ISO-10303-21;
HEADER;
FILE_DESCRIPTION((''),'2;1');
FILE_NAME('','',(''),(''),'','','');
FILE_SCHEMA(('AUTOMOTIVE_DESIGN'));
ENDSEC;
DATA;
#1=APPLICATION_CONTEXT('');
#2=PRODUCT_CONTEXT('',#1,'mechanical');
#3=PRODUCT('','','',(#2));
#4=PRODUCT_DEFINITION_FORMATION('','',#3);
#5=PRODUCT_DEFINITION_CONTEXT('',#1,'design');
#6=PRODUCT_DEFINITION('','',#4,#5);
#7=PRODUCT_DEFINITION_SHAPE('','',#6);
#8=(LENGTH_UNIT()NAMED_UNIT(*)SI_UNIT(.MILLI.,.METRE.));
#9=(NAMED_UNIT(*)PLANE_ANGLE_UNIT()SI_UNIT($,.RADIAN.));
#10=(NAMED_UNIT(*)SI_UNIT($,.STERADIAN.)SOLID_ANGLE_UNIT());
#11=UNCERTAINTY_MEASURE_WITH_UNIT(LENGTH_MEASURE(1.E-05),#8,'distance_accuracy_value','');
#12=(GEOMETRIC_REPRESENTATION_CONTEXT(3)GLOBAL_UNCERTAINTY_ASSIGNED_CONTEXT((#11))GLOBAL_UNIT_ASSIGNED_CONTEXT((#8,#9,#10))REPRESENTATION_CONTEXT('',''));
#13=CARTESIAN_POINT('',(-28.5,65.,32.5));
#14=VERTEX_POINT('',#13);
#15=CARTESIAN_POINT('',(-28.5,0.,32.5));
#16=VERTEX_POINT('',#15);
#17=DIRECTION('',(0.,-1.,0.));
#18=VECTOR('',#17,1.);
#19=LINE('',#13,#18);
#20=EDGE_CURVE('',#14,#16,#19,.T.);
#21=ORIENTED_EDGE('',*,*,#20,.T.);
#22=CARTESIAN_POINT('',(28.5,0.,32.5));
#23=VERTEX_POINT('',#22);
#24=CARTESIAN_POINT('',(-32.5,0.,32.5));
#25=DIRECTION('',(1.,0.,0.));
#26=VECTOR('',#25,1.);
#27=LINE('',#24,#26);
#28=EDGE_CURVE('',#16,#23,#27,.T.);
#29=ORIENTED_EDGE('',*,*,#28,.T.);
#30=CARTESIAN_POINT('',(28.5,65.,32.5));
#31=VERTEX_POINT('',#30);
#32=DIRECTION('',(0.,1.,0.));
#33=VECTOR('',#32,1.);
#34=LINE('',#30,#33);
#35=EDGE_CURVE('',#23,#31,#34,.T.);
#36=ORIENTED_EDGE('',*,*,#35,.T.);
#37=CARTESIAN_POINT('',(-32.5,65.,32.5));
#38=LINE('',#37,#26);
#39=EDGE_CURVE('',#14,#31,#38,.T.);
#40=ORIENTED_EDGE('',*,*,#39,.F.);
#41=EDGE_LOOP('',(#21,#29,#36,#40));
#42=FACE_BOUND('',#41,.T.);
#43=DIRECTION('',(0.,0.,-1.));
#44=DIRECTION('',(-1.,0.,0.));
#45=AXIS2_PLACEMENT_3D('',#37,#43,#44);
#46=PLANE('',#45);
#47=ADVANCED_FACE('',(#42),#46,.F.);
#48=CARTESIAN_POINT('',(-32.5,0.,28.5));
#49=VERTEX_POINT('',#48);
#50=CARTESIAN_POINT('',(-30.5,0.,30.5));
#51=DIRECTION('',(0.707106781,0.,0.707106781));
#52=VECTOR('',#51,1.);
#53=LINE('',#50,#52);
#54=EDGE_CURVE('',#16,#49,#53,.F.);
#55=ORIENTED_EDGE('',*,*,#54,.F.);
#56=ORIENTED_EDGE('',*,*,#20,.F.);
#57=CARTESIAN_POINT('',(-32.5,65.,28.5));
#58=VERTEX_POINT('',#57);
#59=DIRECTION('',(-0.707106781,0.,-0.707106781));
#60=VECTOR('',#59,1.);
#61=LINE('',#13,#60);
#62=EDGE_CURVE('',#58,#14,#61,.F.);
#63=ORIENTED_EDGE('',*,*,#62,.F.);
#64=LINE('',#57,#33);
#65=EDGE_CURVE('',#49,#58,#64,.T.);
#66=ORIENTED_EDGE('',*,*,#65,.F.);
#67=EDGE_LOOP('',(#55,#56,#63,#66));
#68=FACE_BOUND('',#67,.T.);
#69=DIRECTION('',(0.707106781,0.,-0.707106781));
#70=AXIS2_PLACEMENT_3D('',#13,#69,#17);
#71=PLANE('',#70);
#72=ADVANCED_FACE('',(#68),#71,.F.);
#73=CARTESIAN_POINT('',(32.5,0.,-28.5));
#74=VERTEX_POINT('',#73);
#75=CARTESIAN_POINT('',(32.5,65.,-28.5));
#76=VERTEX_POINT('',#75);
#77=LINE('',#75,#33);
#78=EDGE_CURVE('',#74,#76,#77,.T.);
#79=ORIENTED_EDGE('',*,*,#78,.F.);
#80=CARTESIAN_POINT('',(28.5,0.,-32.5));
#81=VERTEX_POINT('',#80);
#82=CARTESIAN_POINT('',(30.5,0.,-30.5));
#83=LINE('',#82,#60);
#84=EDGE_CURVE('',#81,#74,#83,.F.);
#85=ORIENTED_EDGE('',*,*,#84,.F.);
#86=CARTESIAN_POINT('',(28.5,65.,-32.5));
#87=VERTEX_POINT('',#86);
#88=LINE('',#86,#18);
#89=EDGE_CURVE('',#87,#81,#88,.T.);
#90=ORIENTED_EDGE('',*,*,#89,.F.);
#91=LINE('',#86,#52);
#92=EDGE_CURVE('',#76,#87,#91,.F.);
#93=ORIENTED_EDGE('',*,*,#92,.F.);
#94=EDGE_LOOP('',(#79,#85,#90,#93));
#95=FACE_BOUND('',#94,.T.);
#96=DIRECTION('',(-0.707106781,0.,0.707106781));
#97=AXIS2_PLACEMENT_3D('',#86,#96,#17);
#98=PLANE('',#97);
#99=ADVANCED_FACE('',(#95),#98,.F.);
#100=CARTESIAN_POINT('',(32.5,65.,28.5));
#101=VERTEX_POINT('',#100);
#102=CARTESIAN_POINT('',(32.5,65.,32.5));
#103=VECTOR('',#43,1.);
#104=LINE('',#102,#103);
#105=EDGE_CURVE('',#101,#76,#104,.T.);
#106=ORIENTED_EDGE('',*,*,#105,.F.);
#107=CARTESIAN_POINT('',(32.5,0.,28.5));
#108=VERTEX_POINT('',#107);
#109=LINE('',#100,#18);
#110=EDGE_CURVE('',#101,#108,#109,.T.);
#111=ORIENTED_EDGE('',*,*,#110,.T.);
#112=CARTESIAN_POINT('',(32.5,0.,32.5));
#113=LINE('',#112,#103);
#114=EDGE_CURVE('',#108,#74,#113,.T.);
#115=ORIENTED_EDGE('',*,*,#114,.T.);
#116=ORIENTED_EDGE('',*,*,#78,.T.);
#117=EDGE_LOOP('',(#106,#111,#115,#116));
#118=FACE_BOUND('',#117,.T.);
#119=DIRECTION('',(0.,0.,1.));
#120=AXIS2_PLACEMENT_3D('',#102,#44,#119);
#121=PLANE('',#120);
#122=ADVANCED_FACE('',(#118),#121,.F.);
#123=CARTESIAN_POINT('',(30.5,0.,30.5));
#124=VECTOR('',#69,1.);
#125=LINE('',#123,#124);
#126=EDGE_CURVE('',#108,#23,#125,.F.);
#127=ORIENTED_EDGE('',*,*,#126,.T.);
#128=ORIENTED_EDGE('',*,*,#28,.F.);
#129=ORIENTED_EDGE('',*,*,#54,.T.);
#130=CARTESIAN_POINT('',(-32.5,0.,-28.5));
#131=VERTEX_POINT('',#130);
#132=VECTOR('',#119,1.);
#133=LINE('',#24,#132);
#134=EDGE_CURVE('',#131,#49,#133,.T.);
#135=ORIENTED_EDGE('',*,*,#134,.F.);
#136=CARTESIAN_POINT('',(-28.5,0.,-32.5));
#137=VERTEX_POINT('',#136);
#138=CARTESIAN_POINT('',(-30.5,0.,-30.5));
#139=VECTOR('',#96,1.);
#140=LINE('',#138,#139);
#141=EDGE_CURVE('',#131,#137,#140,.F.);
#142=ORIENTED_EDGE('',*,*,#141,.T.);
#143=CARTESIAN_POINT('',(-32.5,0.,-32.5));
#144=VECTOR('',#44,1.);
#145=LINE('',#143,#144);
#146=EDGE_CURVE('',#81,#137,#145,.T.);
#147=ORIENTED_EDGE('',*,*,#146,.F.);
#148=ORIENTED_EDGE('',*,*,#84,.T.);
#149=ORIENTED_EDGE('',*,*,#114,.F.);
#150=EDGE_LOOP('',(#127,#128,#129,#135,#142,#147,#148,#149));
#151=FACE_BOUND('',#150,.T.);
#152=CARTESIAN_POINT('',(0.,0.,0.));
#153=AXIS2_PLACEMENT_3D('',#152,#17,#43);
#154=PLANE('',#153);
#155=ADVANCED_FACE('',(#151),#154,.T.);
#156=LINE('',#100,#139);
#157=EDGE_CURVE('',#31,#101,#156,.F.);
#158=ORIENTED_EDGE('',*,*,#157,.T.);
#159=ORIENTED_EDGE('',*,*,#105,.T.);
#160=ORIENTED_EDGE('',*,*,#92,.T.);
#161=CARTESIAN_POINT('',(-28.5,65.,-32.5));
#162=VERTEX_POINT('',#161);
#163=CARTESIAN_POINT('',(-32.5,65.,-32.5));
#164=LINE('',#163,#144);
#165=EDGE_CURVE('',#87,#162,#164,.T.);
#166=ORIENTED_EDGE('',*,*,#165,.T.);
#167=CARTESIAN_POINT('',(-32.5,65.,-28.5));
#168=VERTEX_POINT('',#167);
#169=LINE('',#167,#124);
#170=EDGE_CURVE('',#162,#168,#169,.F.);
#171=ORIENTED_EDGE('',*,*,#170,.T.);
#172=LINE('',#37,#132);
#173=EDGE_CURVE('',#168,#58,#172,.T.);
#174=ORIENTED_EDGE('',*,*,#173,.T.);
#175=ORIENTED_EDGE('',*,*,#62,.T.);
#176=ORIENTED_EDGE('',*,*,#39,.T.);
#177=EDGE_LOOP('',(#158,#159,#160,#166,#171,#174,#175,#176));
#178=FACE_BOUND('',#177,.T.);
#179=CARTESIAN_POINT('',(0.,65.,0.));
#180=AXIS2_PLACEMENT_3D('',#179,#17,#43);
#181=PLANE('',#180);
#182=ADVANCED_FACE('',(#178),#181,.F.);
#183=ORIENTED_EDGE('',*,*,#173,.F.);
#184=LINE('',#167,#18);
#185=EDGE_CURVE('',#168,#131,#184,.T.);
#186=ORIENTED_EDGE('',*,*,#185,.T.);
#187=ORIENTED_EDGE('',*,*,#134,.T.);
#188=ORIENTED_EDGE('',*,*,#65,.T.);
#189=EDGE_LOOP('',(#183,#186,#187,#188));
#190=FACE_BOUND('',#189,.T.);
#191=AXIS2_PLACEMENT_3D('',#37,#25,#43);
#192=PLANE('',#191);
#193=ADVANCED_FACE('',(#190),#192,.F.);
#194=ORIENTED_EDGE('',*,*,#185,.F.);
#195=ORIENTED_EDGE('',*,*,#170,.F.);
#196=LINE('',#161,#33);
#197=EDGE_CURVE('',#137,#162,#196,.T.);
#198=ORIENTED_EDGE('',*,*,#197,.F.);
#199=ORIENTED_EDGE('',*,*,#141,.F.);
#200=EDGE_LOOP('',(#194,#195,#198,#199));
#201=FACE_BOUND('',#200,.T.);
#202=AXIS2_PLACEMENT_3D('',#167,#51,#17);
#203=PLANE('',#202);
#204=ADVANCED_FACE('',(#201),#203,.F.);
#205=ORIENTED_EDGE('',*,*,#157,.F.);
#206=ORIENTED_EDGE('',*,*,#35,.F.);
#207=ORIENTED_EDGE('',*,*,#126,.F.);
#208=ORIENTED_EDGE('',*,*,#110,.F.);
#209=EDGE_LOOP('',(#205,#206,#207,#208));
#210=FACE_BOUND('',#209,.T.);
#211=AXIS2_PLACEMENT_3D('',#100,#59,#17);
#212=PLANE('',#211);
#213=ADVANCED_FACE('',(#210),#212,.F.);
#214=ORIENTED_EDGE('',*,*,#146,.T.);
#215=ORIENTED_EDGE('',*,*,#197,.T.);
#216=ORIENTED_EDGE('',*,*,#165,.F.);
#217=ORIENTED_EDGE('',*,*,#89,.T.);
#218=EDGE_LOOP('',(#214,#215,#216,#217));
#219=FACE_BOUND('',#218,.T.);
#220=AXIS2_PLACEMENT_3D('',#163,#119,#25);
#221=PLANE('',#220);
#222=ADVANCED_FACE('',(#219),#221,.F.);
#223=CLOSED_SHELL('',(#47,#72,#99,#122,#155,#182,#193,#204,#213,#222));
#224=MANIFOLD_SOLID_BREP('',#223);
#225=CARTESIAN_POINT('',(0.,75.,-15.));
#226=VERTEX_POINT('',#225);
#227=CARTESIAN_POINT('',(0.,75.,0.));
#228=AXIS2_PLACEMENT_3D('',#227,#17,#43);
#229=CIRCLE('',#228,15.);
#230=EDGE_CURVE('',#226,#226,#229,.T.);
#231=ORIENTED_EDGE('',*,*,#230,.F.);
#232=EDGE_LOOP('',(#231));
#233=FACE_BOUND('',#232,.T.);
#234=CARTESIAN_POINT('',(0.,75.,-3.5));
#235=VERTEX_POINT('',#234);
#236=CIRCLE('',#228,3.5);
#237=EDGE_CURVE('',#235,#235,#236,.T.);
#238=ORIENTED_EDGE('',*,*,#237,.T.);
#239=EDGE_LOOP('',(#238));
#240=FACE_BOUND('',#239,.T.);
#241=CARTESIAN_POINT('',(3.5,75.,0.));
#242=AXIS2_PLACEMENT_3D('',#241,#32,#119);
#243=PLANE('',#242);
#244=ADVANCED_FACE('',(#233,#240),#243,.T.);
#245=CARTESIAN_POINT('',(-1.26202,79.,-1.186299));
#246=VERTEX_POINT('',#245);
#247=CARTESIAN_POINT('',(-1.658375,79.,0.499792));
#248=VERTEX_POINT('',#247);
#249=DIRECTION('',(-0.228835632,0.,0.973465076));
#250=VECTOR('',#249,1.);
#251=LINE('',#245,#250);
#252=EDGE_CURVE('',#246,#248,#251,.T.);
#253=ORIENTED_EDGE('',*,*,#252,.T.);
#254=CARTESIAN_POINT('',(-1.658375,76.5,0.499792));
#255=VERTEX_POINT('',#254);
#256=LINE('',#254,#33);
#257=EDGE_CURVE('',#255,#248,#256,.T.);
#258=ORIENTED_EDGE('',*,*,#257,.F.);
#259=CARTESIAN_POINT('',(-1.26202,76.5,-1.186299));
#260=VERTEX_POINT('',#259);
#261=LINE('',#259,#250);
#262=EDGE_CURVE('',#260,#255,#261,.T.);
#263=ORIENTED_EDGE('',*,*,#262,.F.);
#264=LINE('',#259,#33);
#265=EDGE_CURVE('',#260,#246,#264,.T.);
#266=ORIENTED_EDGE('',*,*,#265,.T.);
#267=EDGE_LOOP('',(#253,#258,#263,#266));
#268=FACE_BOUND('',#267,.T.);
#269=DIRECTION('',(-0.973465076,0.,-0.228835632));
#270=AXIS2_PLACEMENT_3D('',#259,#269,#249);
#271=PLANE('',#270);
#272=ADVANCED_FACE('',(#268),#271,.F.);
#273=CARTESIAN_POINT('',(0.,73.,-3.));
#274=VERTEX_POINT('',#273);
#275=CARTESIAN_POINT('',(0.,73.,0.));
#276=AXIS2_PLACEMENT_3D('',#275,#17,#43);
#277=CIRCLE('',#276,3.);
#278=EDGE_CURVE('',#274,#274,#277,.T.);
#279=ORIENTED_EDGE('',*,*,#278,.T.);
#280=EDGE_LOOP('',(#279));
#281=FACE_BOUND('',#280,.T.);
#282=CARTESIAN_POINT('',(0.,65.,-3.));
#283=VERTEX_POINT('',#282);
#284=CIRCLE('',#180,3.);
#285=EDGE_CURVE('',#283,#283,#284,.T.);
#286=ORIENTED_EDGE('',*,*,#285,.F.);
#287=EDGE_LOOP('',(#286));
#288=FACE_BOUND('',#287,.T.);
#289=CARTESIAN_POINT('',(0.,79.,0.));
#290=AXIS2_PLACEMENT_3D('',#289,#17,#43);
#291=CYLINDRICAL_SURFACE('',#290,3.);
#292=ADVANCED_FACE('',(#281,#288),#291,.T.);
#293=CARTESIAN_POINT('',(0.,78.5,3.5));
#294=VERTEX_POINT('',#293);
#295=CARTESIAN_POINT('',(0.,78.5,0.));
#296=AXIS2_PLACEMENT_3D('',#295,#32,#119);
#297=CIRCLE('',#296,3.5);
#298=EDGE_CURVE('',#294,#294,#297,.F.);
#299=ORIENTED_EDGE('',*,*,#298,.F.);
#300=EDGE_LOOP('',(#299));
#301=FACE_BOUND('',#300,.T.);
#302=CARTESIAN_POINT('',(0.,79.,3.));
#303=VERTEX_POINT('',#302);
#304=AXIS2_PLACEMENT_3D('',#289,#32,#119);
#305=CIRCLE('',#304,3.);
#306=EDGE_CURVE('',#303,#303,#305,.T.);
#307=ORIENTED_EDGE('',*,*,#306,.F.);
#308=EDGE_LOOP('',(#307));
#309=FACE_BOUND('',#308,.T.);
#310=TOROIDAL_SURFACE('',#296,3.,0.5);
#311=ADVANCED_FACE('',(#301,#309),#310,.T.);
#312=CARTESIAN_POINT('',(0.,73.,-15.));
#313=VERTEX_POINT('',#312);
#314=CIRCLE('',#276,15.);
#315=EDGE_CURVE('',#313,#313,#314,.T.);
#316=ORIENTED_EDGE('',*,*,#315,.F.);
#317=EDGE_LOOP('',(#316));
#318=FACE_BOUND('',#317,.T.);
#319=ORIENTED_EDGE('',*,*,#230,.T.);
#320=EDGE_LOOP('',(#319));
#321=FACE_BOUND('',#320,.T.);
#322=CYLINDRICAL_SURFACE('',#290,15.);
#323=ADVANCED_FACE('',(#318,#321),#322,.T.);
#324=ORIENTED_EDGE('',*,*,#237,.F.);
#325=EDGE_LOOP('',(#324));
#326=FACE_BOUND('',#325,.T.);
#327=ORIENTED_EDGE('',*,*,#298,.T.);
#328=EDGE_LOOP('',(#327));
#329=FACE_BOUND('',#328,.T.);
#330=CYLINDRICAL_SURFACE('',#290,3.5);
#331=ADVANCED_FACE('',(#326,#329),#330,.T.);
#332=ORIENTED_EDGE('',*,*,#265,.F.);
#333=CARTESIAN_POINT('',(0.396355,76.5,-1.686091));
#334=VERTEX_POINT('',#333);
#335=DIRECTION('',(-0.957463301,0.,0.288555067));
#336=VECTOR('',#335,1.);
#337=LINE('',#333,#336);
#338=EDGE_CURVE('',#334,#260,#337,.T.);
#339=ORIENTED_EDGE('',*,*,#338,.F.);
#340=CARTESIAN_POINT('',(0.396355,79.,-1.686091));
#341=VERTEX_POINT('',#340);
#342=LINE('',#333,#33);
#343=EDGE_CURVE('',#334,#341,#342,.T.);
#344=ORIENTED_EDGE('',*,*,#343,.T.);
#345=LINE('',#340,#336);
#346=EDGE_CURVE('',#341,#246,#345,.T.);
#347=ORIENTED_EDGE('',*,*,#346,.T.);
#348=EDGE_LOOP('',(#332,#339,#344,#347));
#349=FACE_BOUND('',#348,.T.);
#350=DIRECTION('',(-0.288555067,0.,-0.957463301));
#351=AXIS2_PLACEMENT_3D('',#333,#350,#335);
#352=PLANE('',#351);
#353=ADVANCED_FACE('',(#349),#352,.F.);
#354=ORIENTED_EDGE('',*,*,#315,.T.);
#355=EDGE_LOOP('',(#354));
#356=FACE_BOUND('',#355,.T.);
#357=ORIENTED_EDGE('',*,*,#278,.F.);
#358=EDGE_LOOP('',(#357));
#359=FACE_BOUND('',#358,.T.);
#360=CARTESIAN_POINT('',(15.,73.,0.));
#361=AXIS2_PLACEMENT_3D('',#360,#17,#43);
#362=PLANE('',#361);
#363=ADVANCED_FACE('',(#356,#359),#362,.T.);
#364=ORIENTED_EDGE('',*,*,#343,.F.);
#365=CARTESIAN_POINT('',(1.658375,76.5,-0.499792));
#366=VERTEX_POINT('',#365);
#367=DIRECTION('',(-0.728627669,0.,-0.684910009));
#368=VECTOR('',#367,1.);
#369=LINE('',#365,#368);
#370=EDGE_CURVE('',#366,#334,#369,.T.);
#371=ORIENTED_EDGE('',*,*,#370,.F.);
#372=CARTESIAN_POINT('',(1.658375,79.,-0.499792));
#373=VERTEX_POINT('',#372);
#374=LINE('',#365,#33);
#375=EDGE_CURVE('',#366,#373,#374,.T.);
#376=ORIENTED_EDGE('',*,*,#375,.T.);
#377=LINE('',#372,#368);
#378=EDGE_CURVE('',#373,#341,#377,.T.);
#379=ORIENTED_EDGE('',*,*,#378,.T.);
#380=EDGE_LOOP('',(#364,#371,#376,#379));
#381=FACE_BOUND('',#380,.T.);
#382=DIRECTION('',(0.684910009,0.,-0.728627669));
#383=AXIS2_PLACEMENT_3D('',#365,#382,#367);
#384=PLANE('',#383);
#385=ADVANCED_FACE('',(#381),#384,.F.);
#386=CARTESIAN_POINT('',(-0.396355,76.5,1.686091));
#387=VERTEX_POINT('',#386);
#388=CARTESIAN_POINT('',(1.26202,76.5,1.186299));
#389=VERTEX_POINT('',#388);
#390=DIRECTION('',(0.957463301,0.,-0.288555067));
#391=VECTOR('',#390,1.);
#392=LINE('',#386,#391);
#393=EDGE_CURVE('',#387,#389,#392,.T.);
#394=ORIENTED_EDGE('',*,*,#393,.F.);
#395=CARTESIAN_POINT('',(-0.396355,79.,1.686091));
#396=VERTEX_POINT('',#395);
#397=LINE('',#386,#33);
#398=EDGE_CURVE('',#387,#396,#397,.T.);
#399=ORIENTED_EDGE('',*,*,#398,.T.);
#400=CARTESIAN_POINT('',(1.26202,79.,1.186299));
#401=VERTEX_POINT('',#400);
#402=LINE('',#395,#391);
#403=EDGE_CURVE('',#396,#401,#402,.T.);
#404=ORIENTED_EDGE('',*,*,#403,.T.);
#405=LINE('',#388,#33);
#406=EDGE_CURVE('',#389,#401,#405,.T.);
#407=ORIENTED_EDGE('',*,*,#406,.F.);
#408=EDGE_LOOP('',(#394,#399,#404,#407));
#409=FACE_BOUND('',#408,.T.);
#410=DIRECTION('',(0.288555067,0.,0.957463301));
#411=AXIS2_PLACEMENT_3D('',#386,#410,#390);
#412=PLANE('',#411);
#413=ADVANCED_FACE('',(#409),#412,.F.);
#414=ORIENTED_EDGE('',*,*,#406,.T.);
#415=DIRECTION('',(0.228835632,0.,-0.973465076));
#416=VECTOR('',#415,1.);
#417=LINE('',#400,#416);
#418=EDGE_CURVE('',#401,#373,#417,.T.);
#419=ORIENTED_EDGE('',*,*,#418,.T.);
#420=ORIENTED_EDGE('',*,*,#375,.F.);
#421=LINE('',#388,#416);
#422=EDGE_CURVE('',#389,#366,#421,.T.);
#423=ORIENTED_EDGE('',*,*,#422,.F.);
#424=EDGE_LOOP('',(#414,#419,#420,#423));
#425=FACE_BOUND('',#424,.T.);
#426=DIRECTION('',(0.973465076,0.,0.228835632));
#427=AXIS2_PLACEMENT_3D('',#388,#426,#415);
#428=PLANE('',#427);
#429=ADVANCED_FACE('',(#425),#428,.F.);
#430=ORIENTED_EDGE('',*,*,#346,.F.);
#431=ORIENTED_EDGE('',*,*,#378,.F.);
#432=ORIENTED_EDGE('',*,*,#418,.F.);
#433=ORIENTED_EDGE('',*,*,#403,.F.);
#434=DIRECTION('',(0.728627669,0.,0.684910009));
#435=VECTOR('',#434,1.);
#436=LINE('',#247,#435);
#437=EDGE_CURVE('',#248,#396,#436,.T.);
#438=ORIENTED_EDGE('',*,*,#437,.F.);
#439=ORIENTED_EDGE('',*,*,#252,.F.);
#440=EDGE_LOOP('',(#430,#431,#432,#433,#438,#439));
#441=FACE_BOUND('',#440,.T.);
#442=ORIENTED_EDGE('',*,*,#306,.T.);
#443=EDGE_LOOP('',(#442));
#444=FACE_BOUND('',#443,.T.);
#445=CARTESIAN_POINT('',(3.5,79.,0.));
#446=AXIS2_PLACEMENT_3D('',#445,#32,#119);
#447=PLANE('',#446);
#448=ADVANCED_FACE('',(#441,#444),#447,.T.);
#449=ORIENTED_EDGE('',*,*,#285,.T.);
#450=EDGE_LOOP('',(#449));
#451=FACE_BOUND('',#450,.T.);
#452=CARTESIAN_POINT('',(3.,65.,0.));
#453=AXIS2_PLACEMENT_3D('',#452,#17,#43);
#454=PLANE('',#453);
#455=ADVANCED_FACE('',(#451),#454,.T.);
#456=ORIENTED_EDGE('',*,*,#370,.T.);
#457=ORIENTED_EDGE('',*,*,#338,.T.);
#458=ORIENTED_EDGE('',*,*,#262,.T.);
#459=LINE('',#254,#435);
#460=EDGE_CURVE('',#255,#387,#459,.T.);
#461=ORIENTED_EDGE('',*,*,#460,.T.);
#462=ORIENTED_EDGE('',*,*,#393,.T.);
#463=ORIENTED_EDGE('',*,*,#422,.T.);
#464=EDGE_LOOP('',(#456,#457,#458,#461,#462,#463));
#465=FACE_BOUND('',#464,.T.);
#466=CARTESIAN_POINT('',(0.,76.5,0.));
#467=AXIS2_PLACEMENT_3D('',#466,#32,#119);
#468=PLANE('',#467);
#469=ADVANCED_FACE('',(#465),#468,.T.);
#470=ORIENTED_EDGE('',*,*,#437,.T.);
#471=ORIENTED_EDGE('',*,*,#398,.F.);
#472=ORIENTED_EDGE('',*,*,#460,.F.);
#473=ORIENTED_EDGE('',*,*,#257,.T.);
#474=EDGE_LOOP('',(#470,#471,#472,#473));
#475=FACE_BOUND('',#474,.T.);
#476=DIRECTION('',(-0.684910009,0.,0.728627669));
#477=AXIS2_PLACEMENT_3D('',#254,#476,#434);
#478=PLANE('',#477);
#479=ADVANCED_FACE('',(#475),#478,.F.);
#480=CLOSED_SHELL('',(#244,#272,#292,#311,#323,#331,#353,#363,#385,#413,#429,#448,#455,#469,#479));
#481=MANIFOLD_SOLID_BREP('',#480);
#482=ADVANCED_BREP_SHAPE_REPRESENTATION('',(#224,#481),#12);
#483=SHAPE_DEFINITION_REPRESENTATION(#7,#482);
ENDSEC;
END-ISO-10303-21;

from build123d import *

# Parameters (mm, degrees)
ESQUISSE3_W             = 65
ESQUISSE3_H             = 65
BOSS_EXTRU_3_DEPTH      = 65
CHANFREIN1_SIZE         = 4
ENL_V_MAT_EXTRU_1_DEPTH = 2.5
CONG_1_R                = 0.5


with BuildPart() as part:
    # Esquisse3 → Boss.-Extru.3 (new body)
    with BuildSketch(Plane(origin=(0, 0, 0), x_dir=(1, 0, 0), z_dir=(0, 1, 0))):
        Rectangle(ESQUISSE3_W, ESQUISSE3_H)
    extrude(amount=BOSS_EXTRU_3_DEPTH)

    # Chanfrein1
    chanfrein1_edges = [part.edges().sort_by_distance(p)[0] for p in [
        (32.5, 32.5, 32.5),
        (-32.5, 32.5, 32.5),
        (-32.5, 32.5, -32.5),
        (32.5, 32.5, -32.5),
    ]]
    chamfer(chanfrein1_edges, length=CHANFREIN1_SIZE)


with BuildPart() as body_2:
    # Esquisse4 → Révolution1 (revolve)
    with BuildSketch(Plane.XY, mode=Mode.PRIVATE) as r_volution1_sk:
        Polygon((0, 65), (0, 79), (3.5, 79), (3.5, 75), (15, 75), (15, 73), (3, 73), (3, 65), align=None)
    revolve(r_volution1_sk.sketch.rotate(Axis((0, 79, 0), (0, 1, 0)), 90), axis=Axis((0, 79, 0), (0, 1, 0)))

    # Esquisse5 → Enlèv. mat.-Extru.1 (cut)
    with BuildSketch(Plane(origin=(0, 79, 0), x_dir=(1, 0, 0), z_dir=(0, 1, 0))):
        Polygon((1.262020142, -1.186298934), (1.658375084, 0.499792036), (0.396354942, 1.68609097), (-1.262020142, 1.186298934), (-1.658375084, -0.499792036), (-0.396354942, -1.68609097), align=None)
    extrude(amount=-ENL_V_MAT_EXTRU_1_DEPTH, mode=Mode.SUBTRACT)

    # Congé1
    cong_1_edges = [body_2.edges().sort_by_distance(p)[0] for p in [
        (0, 79, 3.5),
    ]]
    fillet(cong_1_edges, radius=CONG_1_R)


solid = Compound([part.part, body_2.part])
